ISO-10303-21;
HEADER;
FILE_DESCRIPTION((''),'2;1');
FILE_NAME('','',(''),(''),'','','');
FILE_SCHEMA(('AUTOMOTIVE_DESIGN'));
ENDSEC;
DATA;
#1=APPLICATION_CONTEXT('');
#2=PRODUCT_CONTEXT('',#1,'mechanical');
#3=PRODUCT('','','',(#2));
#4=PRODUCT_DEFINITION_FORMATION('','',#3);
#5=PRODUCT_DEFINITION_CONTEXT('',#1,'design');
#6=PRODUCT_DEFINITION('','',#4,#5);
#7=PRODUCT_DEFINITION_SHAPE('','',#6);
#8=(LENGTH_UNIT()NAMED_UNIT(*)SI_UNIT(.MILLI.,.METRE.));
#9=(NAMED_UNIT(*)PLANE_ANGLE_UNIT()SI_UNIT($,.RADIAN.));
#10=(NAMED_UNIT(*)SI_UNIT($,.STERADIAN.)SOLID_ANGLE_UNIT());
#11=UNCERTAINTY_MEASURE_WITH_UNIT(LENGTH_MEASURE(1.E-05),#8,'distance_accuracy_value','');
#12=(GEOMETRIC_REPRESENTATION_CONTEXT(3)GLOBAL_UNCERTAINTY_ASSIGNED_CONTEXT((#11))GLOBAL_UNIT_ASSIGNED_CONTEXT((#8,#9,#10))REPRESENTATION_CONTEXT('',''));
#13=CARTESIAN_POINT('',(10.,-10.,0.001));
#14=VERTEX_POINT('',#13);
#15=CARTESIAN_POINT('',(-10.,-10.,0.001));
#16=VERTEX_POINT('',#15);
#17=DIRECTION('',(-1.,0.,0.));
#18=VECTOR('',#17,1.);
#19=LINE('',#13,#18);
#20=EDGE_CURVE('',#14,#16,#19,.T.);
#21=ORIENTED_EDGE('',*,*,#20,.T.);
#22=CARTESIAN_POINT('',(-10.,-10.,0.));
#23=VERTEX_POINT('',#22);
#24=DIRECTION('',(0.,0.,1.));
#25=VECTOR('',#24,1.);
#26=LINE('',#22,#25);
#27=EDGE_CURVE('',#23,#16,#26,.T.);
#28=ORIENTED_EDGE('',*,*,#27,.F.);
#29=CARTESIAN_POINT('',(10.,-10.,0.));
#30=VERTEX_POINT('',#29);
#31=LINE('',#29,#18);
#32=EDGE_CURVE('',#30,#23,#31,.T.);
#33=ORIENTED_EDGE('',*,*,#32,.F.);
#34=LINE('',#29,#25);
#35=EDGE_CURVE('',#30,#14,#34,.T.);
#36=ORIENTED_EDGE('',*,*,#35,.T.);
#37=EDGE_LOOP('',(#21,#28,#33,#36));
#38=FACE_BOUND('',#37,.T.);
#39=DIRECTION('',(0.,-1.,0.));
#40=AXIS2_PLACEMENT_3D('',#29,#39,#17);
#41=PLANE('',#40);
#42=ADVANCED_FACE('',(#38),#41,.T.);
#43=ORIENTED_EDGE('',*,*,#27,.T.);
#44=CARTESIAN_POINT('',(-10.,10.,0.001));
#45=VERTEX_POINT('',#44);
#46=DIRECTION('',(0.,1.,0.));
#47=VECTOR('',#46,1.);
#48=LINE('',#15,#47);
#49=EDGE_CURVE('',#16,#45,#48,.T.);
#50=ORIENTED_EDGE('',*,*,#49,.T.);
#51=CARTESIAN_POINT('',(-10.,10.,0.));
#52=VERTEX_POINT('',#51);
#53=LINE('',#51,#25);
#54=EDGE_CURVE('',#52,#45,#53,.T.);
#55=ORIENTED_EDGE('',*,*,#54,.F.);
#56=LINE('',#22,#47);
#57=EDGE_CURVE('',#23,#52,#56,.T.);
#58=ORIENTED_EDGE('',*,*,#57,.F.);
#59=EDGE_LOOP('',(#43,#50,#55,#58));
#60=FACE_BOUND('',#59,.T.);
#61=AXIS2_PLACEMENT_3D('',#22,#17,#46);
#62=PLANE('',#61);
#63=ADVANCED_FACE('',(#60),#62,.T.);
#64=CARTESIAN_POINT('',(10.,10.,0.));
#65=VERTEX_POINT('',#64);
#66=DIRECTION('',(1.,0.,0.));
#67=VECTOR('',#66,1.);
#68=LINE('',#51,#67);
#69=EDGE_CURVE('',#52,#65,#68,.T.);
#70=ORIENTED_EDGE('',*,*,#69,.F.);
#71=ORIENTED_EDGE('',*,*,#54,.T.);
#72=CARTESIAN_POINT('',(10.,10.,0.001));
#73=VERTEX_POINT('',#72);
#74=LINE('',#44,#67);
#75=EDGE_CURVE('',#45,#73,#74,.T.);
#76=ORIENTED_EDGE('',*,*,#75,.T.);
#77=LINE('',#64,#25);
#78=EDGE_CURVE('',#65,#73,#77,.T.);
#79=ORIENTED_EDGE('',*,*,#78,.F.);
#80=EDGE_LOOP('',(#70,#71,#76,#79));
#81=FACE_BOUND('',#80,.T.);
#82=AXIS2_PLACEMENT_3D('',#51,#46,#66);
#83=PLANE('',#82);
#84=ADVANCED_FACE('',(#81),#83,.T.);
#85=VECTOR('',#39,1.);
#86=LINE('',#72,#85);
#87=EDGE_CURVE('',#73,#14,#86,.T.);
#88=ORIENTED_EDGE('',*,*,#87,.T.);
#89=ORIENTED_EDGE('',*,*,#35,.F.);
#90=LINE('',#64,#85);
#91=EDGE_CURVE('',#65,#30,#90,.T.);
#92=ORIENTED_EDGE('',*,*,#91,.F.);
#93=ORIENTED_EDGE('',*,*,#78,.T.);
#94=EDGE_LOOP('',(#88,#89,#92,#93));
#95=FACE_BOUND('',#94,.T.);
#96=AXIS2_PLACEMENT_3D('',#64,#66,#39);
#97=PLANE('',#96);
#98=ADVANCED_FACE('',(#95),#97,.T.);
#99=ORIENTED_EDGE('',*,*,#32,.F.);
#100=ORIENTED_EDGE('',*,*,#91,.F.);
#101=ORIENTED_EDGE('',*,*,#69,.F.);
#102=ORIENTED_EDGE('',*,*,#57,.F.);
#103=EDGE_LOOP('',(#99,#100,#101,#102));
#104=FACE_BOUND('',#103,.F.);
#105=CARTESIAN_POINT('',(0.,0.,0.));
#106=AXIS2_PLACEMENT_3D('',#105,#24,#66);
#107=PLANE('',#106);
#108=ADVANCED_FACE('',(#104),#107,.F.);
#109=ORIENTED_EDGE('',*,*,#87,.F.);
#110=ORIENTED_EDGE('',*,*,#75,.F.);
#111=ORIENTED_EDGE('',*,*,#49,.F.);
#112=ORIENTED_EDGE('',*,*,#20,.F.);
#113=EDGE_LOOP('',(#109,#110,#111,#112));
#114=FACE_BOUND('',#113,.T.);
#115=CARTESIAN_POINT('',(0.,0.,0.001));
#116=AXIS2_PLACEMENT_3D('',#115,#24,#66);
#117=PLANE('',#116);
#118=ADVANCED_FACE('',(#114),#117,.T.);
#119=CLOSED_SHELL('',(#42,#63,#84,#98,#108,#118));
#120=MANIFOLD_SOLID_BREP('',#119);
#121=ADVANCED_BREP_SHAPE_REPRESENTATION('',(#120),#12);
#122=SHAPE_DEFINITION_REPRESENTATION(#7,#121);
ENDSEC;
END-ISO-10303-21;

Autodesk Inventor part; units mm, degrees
ref_plane "YZ Plane" through (0, 0, 0) normal (1, 0, 0) x (0, 1, 0)
ref_plane "Start plane" through (0, 0, 0) normal (0, 0, 1) x (1, 0, 0)
ref_plane "End plane" through (0, 0, 0.001) normal (0, 0, 1) x (1, 0, 0)
sketch "Sketch2" plane through (0, 0, 0) normal (0, 0, 1) x (1, 0, 0)
  line L0 (-8, 0) -> (13, 0) construction
  line L1 (-10, 10) -> (10, 10)
  line L2 (10, 10) -> (10, -10)
  line L3 (10, -10) -> (-10, -10)
  line L4 (-10, -10) -> (-10, 10)
  line L5 (0, -7) -> (0, 7) construction
  dimension "d10" = 10
  dimension "d11" = 20
  dimension "d13" = 20
  dimension "d14" = 10
extrude "Body" add sketch "Sketch2" along normal up to surface (0.001 mm away) from surface at 0
sketch "Sketch3" plane through (0, 0, 0) normal (0, 0, 1) x (1, 0, 0)
  line L0 (0, 0) -> (10, 0)
ref_plane "Work Plane3" through (0, 0, 0) normal (0, -1, 0) x (1, 0, 0)
sketch "Sketch4" plane through (0, 0, 0) normal (0, -1, 0) x (1, 0, 0)
  line L0 (-2, 0) -> (12, 0)
  line L1 (-2, 0.001) -> (12, 0.001)
  dimension "d18" = 0.001
equation "\"d10\" = 0.5 * d11"
equation "\"d11\" = b"
equation "\"d13\" = d11"
equation "\"d14\" = d10"
equation "\"d6\" = G_L"
equation "\"b\" = 20"
equation "\"G_L\" = d18"
equation "\"G_OFFSET_START\" = 0"
equation "\"G_OFFSET_END\" = 0"
equation "\"d16\" = G_OFFSET_END + B_L"
equation "\"B_L\" = 0.001"
properties part number "PN EN 10059 - 20-0,001" material "Steel, Mild"
